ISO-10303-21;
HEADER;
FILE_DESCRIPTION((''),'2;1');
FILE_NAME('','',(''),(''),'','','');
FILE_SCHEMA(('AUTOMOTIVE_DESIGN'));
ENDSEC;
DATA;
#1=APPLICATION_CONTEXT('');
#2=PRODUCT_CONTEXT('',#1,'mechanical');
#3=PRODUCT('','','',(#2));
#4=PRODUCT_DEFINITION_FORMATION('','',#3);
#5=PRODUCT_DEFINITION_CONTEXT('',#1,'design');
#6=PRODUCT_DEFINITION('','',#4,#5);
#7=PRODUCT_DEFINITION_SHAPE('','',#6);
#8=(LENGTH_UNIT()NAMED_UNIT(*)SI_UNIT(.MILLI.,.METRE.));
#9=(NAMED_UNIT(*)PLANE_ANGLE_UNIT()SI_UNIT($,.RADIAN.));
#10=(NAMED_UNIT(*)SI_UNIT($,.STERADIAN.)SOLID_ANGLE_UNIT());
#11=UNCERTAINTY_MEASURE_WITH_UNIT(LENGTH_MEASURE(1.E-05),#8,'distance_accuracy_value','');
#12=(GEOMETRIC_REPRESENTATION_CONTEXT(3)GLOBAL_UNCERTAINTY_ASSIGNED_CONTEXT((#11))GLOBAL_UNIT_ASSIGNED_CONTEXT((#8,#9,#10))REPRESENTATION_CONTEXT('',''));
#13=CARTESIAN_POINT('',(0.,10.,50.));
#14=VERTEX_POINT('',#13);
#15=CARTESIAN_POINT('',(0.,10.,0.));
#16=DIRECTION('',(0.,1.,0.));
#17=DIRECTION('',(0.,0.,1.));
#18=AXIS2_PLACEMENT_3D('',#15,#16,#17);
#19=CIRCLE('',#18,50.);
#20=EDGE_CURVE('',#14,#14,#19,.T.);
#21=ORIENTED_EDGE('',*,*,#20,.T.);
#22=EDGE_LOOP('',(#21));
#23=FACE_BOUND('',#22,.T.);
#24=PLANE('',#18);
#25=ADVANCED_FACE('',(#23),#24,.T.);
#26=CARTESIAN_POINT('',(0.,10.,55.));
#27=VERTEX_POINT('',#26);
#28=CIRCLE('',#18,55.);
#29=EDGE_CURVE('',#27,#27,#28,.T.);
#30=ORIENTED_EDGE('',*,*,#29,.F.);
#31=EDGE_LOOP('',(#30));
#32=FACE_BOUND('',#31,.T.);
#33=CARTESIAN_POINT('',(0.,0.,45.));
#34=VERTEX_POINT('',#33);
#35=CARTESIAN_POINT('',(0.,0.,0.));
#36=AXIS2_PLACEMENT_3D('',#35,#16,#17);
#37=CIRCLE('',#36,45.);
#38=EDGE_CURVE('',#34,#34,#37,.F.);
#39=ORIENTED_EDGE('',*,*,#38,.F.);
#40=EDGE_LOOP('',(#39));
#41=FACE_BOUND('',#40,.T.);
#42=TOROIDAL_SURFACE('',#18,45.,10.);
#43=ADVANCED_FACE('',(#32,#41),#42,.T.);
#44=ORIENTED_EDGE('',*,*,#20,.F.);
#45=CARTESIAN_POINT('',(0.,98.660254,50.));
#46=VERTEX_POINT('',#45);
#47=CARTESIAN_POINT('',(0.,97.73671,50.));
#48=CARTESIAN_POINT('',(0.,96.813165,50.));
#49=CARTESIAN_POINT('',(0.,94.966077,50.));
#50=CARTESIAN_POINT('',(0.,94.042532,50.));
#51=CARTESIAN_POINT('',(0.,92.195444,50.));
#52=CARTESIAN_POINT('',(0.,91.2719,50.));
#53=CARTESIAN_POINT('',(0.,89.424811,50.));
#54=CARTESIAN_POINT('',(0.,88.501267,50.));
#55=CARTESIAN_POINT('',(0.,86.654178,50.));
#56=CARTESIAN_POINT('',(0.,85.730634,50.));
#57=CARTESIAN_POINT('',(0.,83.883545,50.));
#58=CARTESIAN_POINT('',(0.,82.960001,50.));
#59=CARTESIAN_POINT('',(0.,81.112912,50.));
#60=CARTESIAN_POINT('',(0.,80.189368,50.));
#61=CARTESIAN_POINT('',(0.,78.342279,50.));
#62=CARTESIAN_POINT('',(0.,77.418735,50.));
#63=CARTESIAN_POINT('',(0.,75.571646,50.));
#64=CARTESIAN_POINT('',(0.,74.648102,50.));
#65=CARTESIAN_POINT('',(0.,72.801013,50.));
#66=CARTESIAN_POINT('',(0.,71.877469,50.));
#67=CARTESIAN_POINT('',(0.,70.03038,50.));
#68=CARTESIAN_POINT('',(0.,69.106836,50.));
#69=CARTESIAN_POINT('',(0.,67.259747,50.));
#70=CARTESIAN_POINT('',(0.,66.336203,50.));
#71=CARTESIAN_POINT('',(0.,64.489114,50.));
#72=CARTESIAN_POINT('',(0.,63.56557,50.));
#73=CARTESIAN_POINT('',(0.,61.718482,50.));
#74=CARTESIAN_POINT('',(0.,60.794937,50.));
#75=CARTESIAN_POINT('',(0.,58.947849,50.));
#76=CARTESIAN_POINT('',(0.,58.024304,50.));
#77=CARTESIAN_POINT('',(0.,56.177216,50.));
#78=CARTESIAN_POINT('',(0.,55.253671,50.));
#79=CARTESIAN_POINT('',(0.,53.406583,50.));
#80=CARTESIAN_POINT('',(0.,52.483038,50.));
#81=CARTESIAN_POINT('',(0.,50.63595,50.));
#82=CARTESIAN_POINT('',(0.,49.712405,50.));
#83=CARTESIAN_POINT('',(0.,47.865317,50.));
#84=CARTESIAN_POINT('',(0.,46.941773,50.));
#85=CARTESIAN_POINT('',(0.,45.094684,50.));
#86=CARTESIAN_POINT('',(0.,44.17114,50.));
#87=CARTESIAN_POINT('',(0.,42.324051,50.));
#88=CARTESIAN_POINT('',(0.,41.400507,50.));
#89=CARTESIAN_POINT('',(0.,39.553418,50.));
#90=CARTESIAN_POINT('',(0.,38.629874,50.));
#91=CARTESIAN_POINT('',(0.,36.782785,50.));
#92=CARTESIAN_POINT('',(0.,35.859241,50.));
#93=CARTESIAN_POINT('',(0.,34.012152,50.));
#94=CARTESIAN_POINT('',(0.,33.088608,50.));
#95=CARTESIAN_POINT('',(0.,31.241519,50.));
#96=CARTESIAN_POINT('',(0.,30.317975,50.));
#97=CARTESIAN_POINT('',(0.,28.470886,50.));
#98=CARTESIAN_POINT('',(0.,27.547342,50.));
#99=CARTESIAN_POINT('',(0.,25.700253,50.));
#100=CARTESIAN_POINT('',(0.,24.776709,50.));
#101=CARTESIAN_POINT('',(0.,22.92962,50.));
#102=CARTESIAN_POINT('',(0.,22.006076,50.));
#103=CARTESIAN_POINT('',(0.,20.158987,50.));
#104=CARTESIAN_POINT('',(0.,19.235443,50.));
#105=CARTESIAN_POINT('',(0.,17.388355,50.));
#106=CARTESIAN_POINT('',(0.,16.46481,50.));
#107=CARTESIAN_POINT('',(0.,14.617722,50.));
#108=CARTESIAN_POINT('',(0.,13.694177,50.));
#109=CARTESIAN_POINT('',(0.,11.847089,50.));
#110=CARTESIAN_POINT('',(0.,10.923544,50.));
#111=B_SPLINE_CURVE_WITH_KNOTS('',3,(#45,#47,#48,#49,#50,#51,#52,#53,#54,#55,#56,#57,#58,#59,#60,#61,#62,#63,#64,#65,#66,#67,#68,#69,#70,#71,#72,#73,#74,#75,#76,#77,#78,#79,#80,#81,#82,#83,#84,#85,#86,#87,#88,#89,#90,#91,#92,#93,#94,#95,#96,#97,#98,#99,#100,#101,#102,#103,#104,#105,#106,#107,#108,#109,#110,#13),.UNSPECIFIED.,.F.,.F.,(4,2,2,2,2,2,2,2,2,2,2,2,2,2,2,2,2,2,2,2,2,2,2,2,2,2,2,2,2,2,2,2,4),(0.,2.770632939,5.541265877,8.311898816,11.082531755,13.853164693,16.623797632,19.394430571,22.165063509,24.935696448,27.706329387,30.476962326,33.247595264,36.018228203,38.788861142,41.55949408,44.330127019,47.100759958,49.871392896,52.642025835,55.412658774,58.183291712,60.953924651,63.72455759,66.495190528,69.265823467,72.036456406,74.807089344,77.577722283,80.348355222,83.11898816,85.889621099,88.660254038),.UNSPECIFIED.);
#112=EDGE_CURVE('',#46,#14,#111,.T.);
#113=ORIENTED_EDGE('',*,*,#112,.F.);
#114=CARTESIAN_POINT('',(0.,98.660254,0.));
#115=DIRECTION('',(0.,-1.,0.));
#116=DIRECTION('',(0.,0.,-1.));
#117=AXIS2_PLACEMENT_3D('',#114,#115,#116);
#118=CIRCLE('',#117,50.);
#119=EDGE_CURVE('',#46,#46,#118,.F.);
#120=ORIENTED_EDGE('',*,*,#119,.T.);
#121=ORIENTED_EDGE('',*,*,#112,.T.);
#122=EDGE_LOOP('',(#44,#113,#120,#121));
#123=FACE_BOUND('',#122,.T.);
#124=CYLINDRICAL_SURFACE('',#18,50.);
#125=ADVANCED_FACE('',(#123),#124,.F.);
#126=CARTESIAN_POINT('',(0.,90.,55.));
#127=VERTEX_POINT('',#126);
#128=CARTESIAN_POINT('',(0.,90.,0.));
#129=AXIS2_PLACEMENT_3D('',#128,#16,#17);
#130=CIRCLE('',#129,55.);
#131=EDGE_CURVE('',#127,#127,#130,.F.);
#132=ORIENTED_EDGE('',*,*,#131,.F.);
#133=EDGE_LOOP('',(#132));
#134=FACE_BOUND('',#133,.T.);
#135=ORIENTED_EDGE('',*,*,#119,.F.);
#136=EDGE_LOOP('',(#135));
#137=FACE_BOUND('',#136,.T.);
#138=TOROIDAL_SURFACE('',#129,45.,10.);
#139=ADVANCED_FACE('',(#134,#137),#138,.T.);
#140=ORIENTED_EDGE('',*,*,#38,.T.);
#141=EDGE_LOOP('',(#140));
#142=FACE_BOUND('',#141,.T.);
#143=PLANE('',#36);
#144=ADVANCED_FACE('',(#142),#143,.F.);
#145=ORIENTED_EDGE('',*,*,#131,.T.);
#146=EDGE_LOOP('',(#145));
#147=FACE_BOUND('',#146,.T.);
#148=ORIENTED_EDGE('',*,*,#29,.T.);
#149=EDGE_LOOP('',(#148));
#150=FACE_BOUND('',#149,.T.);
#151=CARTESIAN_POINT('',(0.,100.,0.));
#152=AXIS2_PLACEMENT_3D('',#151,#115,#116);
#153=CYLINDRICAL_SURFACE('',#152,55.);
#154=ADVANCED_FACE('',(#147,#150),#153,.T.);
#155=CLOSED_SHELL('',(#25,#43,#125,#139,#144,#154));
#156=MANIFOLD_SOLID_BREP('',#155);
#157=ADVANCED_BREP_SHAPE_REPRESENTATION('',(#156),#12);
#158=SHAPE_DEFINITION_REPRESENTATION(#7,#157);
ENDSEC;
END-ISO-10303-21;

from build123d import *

# Parameters (mm, degrees)
SKETCH1_R           = 55
BOSS_EXTRUDE1_DEPTH = 100
FILLET1_R           = 10
SKETCH3_R           = 50
CUT_EXTRUDE1_DEPTH  = 90


with BuildPart() as part:
    # Sketch1 → Boss-Extrude1 (new body)
    with BuildSketch(Plane(origin=(0, 0, 0), x_dir=(1, 0, 0), z_dir=(0, 1, 0))):
        Circle(SKETCH1_R)
    extrude(amount=BOSS_EXTRUDE1_DEPTH)

    # Fillet1
    fillet1_edges = [part.edges().sort_by_distance(p)[0] for p in [
        (-55, 0, 0),
        (-55, 100, 0),
    ]]
    fillet(fillet1_edges, radius=FILLET1_R)

    # Sketch3 → Cut-Extrude1 (cut)
    with BuildSketch(Plane(origin=(0, 100, 0), x_dir=(1, 0, 0), z_dir=(0, 1, 0))):
        Circle(SKETCH3_R)
    extrude(amount=-CUT_EXTRUDE1_DEPTH, mode=Mode.SUBTRACT)


solid = part.part
